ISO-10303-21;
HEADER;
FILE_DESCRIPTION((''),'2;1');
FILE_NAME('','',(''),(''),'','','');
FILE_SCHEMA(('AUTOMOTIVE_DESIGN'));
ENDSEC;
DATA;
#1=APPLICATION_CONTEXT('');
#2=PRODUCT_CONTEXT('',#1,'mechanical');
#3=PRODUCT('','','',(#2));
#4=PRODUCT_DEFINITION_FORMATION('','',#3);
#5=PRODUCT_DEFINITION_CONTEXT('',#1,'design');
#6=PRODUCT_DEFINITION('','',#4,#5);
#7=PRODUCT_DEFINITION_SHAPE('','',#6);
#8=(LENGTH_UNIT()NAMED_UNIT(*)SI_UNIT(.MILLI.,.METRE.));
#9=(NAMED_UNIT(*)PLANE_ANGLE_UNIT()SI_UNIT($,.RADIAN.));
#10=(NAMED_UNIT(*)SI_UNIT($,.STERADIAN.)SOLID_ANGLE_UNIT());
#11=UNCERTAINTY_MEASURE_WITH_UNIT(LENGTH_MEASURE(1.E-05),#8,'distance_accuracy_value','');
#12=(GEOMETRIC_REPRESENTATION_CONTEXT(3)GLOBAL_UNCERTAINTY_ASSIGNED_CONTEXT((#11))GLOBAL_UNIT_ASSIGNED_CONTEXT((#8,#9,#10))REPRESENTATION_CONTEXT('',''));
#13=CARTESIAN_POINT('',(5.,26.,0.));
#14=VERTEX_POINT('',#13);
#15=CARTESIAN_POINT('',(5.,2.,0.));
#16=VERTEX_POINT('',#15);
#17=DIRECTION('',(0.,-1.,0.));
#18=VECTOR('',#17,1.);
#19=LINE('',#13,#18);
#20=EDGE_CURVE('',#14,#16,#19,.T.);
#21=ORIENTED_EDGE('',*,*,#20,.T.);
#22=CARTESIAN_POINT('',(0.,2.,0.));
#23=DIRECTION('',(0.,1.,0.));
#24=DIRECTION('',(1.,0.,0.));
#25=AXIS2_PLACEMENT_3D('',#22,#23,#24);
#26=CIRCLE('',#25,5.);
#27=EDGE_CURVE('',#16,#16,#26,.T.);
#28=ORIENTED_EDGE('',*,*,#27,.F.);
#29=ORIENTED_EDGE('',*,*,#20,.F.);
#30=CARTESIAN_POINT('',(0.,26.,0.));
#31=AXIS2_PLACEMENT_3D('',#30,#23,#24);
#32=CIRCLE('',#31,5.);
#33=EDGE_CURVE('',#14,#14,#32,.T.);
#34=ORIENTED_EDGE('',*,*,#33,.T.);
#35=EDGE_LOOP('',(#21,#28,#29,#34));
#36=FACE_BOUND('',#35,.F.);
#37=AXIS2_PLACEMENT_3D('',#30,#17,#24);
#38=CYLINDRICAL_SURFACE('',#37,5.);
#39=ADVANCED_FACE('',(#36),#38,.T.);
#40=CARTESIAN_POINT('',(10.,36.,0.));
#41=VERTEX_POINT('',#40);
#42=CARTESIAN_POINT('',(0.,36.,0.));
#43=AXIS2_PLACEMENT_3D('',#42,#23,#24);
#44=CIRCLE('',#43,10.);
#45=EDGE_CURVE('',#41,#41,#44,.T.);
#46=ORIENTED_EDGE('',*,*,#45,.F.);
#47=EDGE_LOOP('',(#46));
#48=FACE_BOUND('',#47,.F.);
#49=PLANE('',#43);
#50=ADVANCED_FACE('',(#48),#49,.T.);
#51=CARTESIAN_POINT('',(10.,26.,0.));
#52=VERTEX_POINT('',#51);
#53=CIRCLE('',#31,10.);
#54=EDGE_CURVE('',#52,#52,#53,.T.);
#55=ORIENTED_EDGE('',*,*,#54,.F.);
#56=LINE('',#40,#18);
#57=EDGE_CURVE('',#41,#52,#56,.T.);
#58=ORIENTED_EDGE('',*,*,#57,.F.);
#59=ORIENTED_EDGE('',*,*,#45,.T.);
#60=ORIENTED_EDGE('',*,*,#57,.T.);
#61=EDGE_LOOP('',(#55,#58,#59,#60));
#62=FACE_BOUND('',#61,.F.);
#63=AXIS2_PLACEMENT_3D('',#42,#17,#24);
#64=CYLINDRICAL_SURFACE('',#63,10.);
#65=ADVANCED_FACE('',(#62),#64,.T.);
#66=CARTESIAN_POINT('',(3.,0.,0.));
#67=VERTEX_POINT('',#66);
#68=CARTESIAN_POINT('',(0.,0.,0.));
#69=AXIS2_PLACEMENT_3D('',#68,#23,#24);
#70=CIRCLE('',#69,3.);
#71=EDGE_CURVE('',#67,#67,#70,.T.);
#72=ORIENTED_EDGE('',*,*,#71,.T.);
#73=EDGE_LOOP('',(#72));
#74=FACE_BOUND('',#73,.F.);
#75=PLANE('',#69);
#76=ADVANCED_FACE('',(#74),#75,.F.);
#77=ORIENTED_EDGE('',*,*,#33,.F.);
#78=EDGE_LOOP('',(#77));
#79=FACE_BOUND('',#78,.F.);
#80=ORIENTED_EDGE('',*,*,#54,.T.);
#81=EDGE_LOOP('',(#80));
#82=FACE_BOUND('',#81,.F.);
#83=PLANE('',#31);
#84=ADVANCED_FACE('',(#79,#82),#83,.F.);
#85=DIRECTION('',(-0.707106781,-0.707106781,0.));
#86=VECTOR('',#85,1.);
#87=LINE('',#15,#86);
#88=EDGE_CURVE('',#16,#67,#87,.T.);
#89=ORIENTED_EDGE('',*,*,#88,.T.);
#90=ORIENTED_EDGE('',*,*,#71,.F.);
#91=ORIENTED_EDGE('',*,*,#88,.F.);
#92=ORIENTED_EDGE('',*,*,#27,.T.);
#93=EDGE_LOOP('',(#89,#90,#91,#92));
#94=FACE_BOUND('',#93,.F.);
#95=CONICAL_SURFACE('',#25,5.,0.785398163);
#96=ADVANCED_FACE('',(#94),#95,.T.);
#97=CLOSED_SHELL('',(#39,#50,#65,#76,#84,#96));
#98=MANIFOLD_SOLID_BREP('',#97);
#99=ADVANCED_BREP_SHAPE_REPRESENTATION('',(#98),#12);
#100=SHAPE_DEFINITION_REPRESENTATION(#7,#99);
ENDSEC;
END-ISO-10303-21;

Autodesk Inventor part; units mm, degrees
ref_plane "YZ Plane" through (0, 0, 0) normal (1, 0, 0) x (0, 1, 0)
ref_plane "XZ Plane" through (0, 0, 0) normal (0, 1, 0) x (-1, 0, 0)
ref_plane "XY Plane" through (0, 0, 0) normal (0, 0, 1) x (1, 0, 0)
sketch "Sketch2" plane through (0, 0, 0) normal (0, 0, 1) x (1, 0, 0)
  line L0 (0, 0) -> (0, 36)
  line L1 (0, 36) -> (10, 36)
  line L2 (10, 36) -> (10, 26)
  line L3 (10, 26) -> (5, 26)
  line L4 (5, 26) -> (5, 0)
  line L5 (5, 0) -> (0, 0)
  dimension "d3" = 36
  dimension "d6" = 10
  dimension "d7" = 10
  dimension "d8" = 5
revolve "Revolution1" add sketch "Sketch2" angle 360 about axis through (0, 0, 0) along (0, 1, 0)
chamfer "Chamfer1" distance 2 angle 45 1 edges at (-5, 0, 0)
thread "Thread1" size "M12x1.75" class "6g" standard "ANSI Metric M Profile" full length
properties part number "bolt M10x36"
